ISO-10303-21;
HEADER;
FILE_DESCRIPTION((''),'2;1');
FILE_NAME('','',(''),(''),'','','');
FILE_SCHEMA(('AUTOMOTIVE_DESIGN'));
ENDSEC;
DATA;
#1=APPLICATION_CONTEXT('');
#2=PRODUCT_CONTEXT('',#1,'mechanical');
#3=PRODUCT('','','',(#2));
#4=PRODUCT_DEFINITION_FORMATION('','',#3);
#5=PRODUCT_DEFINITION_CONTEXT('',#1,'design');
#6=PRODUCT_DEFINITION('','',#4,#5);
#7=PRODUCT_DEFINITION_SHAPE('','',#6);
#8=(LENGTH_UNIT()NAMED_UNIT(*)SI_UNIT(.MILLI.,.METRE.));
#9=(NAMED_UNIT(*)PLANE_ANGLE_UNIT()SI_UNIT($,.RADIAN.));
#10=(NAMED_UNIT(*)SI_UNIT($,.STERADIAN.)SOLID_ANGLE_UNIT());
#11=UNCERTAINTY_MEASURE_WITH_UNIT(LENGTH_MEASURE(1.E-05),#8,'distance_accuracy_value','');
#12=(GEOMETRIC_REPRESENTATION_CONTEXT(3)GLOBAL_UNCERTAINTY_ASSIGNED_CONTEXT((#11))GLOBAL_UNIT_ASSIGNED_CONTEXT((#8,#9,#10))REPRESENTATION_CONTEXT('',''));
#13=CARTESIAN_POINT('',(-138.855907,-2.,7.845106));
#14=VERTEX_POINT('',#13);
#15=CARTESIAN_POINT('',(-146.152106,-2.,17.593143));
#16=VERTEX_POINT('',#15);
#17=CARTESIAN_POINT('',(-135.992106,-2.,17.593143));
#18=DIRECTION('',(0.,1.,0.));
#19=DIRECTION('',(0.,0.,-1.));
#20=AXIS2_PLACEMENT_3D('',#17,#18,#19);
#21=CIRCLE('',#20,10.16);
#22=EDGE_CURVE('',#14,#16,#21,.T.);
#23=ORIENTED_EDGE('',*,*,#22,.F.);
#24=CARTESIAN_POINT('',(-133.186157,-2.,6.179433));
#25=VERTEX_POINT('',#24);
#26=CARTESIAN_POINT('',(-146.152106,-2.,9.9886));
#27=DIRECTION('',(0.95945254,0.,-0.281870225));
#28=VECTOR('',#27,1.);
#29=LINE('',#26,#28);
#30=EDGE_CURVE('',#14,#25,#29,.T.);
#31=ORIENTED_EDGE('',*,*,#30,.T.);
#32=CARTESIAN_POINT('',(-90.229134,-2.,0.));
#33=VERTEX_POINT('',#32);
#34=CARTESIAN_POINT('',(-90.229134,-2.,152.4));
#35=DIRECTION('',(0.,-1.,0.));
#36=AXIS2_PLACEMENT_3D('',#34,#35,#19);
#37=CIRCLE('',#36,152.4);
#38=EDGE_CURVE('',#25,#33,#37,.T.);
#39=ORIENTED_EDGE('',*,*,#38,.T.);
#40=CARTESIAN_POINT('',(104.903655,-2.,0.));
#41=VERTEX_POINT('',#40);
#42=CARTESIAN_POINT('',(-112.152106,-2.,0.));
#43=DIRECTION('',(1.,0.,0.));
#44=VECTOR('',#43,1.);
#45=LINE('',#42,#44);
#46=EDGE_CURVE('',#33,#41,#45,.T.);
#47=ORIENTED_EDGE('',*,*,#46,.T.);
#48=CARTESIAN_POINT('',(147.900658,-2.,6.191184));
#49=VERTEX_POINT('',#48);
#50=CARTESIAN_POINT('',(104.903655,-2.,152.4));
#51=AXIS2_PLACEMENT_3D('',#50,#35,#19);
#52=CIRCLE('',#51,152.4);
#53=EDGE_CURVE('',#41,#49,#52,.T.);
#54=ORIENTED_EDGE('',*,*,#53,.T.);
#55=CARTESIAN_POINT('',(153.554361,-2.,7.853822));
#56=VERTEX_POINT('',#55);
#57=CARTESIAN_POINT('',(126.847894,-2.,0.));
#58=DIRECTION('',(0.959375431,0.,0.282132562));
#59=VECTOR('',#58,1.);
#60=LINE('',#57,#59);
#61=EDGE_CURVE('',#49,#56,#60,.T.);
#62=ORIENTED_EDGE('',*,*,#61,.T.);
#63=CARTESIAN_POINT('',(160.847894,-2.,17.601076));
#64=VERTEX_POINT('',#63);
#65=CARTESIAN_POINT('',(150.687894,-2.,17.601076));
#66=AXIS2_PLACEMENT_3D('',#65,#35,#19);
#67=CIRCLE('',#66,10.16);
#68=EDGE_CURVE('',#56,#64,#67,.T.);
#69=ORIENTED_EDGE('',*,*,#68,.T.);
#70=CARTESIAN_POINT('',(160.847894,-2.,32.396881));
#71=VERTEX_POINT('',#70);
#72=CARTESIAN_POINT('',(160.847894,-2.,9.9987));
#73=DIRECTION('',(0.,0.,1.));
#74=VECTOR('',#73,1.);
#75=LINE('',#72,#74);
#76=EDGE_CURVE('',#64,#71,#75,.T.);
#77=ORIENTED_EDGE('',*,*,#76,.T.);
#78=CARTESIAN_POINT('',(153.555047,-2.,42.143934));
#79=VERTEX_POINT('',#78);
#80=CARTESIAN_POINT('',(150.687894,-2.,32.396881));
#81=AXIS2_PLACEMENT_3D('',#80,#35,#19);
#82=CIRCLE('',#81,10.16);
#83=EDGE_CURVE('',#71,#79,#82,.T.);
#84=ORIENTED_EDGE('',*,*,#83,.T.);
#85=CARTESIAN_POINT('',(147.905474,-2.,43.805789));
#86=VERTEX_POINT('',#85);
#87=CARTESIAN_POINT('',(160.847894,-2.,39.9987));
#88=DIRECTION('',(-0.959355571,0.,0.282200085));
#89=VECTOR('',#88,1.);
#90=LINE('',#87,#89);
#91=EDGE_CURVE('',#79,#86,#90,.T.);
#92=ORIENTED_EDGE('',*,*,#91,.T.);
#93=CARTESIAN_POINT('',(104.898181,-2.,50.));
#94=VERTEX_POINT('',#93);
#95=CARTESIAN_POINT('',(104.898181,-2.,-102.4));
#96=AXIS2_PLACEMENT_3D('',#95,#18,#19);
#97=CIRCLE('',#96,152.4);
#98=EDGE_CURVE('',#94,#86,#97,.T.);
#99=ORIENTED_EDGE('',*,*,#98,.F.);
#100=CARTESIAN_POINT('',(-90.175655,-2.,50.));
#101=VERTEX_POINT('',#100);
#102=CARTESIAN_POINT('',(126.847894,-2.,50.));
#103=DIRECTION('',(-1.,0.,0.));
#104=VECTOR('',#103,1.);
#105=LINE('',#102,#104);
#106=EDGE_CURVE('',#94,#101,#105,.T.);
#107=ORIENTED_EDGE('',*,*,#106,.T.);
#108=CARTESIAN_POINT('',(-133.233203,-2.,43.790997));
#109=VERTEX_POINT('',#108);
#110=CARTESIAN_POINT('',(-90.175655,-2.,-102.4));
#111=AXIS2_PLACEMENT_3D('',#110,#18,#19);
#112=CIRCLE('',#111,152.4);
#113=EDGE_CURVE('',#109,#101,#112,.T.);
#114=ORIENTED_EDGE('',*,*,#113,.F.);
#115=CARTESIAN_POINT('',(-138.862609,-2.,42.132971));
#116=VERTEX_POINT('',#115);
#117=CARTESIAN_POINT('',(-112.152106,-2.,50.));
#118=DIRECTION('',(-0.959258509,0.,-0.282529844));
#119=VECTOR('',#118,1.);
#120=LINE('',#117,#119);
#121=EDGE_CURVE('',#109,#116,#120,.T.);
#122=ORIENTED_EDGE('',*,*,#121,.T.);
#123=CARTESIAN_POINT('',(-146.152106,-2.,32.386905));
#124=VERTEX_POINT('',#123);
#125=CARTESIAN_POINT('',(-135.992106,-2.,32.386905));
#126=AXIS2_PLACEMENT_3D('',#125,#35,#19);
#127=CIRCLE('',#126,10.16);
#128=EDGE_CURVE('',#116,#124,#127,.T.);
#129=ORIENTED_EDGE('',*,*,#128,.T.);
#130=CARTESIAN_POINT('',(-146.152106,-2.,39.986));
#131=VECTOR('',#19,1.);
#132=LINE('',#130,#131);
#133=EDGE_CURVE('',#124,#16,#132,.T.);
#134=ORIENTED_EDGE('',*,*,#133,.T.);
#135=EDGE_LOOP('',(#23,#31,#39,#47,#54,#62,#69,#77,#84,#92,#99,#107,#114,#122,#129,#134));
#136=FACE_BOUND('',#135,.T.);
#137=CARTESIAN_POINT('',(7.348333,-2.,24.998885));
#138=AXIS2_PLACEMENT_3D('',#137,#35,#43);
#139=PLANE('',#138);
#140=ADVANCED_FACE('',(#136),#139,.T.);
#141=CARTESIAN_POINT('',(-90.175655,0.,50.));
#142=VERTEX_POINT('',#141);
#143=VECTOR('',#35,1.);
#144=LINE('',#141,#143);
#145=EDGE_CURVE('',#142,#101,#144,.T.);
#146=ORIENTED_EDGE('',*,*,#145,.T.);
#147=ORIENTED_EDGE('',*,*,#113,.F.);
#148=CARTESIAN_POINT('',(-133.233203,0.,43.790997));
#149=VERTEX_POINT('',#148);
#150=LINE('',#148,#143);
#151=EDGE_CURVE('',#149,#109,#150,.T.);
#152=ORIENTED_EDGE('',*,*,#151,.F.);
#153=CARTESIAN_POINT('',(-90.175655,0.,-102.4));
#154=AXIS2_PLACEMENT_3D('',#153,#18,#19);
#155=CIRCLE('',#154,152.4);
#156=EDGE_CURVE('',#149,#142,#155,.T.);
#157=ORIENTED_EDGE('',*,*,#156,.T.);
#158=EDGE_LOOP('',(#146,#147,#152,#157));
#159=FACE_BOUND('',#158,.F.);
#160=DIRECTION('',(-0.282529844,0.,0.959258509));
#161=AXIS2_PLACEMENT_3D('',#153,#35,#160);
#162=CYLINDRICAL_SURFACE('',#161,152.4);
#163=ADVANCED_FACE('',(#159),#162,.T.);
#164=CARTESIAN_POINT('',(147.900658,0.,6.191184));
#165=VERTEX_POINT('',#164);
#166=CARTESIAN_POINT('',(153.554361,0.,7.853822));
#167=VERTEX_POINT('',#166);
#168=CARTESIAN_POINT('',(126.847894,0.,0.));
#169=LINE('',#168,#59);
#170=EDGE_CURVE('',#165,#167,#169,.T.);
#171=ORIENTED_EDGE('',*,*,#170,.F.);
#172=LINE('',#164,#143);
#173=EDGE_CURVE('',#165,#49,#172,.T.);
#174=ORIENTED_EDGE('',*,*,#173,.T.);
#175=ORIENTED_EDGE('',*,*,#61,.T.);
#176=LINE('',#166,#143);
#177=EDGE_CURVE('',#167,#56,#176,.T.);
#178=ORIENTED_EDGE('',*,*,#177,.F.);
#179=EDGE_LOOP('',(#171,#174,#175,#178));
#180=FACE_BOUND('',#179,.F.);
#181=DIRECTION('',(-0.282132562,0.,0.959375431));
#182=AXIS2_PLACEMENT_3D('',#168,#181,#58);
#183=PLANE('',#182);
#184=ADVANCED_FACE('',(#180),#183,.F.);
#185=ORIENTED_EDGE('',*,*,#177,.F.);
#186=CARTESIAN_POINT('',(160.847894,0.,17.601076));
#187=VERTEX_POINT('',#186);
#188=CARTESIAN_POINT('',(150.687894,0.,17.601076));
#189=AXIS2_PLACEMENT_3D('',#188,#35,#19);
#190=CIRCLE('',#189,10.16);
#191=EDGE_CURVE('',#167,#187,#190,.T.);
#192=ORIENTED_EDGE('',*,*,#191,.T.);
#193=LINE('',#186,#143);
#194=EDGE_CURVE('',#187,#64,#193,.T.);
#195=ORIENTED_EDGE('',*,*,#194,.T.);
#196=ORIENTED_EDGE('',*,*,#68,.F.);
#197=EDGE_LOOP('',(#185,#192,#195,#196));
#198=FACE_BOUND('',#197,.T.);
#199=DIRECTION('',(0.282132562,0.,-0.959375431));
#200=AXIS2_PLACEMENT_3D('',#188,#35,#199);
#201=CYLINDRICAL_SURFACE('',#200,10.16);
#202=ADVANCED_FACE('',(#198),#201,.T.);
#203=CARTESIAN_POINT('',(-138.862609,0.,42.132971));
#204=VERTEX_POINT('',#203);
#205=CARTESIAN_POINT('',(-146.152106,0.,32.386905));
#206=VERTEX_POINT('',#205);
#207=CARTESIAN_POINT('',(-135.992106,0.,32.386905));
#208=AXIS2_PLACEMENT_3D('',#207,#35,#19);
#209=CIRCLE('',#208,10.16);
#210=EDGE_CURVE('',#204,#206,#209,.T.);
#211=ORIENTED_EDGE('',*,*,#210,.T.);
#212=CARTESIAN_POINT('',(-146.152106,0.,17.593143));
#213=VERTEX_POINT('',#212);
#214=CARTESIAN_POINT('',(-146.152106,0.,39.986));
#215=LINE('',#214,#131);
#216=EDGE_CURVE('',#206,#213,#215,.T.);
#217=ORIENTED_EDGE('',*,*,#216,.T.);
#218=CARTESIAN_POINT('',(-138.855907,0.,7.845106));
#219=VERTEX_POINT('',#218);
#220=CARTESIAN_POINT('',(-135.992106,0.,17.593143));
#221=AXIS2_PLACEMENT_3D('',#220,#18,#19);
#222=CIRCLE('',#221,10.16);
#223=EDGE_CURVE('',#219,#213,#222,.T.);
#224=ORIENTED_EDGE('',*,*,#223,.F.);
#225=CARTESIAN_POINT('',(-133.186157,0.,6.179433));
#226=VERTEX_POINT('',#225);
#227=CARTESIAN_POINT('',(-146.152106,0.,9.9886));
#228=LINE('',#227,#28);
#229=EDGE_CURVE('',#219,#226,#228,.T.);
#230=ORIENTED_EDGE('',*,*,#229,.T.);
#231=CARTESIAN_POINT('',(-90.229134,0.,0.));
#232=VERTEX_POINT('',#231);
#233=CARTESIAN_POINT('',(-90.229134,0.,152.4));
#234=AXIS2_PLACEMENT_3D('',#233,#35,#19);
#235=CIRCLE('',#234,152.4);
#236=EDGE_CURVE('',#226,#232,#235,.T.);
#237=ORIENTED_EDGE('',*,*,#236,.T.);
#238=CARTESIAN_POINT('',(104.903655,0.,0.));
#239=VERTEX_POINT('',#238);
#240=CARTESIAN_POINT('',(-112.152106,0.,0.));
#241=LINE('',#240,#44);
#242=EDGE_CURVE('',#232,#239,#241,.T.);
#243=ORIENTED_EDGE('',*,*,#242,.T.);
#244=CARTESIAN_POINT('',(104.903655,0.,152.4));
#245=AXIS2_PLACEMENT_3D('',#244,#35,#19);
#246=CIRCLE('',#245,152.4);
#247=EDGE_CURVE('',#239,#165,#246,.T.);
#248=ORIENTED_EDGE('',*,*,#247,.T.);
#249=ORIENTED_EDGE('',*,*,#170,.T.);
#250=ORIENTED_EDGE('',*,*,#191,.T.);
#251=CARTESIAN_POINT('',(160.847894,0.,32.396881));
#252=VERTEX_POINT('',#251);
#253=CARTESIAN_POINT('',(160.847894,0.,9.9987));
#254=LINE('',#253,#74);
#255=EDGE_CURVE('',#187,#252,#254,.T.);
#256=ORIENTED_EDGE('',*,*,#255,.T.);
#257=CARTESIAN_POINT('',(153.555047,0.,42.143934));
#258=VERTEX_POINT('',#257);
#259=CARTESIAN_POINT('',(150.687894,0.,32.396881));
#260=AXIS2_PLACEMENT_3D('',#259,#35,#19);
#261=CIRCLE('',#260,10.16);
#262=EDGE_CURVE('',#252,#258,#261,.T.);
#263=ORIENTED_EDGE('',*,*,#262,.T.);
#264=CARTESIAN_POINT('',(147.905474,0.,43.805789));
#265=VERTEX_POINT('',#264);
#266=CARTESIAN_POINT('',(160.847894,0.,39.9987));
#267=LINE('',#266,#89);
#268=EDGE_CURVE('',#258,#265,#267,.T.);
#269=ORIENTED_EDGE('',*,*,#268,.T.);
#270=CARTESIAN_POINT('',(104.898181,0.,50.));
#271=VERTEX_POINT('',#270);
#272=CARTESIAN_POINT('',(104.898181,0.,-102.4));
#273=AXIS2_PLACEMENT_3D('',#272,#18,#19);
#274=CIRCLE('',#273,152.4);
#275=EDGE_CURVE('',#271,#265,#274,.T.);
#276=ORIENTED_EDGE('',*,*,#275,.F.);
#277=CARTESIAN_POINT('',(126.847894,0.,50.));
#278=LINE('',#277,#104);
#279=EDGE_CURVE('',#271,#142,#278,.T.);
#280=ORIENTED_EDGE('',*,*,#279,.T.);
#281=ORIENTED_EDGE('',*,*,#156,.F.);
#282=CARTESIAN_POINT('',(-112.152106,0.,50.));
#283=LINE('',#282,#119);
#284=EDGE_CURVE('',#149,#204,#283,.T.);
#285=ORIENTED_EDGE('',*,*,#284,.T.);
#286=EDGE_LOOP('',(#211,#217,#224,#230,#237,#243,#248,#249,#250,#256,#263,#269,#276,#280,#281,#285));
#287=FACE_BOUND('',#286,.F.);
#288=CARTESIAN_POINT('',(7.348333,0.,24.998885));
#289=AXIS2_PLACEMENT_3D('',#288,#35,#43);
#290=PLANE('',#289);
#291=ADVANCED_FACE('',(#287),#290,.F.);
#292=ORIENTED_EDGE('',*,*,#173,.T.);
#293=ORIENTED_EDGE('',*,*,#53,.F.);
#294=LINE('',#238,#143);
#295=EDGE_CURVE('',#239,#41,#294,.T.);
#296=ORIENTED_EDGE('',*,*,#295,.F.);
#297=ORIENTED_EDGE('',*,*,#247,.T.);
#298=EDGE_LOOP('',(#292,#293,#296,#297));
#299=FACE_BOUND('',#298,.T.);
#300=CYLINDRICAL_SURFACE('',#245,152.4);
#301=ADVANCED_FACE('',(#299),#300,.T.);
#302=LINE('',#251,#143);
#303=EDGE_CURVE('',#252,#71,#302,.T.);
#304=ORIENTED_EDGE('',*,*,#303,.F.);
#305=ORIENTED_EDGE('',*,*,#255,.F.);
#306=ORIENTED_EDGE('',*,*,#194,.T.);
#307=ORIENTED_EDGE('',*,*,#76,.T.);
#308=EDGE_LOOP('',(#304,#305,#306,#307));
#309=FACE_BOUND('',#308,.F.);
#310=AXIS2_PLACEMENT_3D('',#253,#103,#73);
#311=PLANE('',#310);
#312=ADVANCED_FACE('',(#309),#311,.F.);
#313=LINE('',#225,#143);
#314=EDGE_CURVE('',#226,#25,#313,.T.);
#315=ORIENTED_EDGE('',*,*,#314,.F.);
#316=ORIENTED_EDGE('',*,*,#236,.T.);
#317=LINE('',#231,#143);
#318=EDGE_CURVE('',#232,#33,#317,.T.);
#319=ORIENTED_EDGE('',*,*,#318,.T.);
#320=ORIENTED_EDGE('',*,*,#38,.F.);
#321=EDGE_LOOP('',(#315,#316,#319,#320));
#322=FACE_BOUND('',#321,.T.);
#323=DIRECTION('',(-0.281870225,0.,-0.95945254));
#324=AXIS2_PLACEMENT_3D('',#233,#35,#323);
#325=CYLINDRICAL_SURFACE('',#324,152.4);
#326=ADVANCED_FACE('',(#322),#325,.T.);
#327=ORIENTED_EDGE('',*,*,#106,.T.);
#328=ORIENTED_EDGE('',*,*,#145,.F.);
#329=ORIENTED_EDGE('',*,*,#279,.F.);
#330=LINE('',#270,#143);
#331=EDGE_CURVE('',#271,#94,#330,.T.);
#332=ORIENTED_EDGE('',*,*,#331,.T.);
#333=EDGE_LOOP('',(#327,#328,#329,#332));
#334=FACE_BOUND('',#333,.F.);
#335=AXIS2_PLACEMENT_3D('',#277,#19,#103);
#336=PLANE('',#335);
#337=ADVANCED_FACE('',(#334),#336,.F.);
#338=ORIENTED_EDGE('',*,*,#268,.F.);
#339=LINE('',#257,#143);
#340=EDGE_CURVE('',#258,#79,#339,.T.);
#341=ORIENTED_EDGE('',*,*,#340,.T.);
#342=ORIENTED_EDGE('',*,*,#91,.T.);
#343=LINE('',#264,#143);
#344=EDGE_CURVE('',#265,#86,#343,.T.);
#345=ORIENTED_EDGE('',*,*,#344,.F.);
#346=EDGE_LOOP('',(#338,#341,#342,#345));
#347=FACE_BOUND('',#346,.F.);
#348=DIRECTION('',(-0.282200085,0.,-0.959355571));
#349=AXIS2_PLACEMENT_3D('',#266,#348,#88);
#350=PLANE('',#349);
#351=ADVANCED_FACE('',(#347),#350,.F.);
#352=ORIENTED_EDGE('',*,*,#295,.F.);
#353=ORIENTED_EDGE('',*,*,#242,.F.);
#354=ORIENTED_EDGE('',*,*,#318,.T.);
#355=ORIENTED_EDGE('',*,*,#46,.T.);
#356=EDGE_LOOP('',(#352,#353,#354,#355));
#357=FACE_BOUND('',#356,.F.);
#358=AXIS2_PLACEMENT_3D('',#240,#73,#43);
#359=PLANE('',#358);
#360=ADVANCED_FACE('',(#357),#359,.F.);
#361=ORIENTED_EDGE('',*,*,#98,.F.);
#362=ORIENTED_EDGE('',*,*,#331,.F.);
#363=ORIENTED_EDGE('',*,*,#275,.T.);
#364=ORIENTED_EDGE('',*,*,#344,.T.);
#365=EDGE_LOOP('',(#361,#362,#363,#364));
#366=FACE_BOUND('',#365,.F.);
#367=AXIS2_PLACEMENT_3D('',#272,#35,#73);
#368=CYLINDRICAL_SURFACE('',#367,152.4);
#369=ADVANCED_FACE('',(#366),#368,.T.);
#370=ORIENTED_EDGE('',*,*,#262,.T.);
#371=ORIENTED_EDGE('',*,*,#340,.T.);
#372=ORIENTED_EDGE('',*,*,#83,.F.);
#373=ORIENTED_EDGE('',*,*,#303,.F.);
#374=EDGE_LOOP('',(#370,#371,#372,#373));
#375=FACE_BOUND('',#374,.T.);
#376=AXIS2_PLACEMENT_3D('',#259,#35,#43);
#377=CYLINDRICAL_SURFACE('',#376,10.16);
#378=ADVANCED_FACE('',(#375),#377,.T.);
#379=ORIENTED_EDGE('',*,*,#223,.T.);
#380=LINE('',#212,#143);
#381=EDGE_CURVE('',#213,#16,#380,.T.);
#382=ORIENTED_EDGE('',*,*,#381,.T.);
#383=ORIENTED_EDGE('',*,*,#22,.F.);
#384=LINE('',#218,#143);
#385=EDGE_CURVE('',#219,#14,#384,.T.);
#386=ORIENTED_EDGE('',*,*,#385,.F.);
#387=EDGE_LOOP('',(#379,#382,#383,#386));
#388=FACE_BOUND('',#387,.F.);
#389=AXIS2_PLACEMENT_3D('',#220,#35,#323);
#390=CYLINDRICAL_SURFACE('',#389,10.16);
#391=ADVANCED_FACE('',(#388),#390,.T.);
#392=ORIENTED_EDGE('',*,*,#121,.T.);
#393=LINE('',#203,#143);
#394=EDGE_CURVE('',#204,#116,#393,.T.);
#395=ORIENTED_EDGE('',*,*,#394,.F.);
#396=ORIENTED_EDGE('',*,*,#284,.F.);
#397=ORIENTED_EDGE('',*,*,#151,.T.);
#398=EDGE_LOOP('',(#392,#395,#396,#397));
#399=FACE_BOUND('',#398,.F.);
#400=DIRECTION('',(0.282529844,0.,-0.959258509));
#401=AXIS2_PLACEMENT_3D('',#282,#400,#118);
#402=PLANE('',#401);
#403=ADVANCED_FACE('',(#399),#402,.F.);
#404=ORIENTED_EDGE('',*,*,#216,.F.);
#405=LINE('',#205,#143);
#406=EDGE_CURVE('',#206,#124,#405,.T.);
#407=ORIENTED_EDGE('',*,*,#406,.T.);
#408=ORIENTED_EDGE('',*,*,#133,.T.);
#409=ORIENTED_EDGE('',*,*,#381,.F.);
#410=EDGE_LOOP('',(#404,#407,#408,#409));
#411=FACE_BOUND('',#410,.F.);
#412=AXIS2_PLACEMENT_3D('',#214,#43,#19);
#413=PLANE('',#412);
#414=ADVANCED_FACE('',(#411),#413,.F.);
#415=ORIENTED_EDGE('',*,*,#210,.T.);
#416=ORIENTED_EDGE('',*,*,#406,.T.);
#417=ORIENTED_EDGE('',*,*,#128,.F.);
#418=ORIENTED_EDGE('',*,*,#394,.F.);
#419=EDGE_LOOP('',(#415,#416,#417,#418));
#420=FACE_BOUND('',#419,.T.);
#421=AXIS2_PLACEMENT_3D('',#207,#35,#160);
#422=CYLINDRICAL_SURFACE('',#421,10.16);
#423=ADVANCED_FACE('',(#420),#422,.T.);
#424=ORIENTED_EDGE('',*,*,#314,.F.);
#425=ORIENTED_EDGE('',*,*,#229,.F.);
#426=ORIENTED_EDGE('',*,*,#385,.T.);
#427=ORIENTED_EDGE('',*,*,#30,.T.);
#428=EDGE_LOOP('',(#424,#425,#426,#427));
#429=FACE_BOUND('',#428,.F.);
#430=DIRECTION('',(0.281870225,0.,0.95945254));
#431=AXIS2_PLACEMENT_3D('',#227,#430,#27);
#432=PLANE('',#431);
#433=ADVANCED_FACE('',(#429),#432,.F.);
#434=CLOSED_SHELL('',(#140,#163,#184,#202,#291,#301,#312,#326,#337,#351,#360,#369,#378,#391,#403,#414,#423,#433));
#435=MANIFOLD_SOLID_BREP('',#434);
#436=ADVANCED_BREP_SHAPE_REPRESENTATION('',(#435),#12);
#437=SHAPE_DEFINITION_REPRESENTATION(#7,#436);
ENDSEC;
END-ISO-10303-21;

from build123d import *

# Parameters (mm, degrees)
F1_DEPTH = 2
F2_R     = 10.16
F3_R     = 152.4


with BuildPart() as f1:
    # F0 (on Front) → F1 (new body)
    with BuildSketch(Plane.XZ):
        Polygon((-146.152106, 9.9886), (-112.152106, 0), (126.847894, 0), (160.847894, 9.9987), (160.847894, 39.9987), (126.847894, 50), (-112.152106, 50), (-146.152106, 39.986), align=None)
    extrude(amount=F1_DEPTH)

    # F2
    f2_edges = [f1.edges().sort_by_distance(p)[0] for p in [
        (-146.152106, -1, 39.986),
        (-146.152106, -1, 9.9886),
        (160.847894, -1, 9.9987),
        (160.847894, -1, 39.9987),
    ]]
    fillet(f2_edges, radius=F2_R)

    # F3
    f3_edges = [f1.edges().sort_by_distance(p)[0] for p in [
        (126.847894, -1, 50),
        (126.847894, -1, 0),
        (-112.152106, -1, 50),
        (-112.152106, -1, 0),
    ]]
    fillet(f3_edges, radius=F3_R)


solid = f1.part
